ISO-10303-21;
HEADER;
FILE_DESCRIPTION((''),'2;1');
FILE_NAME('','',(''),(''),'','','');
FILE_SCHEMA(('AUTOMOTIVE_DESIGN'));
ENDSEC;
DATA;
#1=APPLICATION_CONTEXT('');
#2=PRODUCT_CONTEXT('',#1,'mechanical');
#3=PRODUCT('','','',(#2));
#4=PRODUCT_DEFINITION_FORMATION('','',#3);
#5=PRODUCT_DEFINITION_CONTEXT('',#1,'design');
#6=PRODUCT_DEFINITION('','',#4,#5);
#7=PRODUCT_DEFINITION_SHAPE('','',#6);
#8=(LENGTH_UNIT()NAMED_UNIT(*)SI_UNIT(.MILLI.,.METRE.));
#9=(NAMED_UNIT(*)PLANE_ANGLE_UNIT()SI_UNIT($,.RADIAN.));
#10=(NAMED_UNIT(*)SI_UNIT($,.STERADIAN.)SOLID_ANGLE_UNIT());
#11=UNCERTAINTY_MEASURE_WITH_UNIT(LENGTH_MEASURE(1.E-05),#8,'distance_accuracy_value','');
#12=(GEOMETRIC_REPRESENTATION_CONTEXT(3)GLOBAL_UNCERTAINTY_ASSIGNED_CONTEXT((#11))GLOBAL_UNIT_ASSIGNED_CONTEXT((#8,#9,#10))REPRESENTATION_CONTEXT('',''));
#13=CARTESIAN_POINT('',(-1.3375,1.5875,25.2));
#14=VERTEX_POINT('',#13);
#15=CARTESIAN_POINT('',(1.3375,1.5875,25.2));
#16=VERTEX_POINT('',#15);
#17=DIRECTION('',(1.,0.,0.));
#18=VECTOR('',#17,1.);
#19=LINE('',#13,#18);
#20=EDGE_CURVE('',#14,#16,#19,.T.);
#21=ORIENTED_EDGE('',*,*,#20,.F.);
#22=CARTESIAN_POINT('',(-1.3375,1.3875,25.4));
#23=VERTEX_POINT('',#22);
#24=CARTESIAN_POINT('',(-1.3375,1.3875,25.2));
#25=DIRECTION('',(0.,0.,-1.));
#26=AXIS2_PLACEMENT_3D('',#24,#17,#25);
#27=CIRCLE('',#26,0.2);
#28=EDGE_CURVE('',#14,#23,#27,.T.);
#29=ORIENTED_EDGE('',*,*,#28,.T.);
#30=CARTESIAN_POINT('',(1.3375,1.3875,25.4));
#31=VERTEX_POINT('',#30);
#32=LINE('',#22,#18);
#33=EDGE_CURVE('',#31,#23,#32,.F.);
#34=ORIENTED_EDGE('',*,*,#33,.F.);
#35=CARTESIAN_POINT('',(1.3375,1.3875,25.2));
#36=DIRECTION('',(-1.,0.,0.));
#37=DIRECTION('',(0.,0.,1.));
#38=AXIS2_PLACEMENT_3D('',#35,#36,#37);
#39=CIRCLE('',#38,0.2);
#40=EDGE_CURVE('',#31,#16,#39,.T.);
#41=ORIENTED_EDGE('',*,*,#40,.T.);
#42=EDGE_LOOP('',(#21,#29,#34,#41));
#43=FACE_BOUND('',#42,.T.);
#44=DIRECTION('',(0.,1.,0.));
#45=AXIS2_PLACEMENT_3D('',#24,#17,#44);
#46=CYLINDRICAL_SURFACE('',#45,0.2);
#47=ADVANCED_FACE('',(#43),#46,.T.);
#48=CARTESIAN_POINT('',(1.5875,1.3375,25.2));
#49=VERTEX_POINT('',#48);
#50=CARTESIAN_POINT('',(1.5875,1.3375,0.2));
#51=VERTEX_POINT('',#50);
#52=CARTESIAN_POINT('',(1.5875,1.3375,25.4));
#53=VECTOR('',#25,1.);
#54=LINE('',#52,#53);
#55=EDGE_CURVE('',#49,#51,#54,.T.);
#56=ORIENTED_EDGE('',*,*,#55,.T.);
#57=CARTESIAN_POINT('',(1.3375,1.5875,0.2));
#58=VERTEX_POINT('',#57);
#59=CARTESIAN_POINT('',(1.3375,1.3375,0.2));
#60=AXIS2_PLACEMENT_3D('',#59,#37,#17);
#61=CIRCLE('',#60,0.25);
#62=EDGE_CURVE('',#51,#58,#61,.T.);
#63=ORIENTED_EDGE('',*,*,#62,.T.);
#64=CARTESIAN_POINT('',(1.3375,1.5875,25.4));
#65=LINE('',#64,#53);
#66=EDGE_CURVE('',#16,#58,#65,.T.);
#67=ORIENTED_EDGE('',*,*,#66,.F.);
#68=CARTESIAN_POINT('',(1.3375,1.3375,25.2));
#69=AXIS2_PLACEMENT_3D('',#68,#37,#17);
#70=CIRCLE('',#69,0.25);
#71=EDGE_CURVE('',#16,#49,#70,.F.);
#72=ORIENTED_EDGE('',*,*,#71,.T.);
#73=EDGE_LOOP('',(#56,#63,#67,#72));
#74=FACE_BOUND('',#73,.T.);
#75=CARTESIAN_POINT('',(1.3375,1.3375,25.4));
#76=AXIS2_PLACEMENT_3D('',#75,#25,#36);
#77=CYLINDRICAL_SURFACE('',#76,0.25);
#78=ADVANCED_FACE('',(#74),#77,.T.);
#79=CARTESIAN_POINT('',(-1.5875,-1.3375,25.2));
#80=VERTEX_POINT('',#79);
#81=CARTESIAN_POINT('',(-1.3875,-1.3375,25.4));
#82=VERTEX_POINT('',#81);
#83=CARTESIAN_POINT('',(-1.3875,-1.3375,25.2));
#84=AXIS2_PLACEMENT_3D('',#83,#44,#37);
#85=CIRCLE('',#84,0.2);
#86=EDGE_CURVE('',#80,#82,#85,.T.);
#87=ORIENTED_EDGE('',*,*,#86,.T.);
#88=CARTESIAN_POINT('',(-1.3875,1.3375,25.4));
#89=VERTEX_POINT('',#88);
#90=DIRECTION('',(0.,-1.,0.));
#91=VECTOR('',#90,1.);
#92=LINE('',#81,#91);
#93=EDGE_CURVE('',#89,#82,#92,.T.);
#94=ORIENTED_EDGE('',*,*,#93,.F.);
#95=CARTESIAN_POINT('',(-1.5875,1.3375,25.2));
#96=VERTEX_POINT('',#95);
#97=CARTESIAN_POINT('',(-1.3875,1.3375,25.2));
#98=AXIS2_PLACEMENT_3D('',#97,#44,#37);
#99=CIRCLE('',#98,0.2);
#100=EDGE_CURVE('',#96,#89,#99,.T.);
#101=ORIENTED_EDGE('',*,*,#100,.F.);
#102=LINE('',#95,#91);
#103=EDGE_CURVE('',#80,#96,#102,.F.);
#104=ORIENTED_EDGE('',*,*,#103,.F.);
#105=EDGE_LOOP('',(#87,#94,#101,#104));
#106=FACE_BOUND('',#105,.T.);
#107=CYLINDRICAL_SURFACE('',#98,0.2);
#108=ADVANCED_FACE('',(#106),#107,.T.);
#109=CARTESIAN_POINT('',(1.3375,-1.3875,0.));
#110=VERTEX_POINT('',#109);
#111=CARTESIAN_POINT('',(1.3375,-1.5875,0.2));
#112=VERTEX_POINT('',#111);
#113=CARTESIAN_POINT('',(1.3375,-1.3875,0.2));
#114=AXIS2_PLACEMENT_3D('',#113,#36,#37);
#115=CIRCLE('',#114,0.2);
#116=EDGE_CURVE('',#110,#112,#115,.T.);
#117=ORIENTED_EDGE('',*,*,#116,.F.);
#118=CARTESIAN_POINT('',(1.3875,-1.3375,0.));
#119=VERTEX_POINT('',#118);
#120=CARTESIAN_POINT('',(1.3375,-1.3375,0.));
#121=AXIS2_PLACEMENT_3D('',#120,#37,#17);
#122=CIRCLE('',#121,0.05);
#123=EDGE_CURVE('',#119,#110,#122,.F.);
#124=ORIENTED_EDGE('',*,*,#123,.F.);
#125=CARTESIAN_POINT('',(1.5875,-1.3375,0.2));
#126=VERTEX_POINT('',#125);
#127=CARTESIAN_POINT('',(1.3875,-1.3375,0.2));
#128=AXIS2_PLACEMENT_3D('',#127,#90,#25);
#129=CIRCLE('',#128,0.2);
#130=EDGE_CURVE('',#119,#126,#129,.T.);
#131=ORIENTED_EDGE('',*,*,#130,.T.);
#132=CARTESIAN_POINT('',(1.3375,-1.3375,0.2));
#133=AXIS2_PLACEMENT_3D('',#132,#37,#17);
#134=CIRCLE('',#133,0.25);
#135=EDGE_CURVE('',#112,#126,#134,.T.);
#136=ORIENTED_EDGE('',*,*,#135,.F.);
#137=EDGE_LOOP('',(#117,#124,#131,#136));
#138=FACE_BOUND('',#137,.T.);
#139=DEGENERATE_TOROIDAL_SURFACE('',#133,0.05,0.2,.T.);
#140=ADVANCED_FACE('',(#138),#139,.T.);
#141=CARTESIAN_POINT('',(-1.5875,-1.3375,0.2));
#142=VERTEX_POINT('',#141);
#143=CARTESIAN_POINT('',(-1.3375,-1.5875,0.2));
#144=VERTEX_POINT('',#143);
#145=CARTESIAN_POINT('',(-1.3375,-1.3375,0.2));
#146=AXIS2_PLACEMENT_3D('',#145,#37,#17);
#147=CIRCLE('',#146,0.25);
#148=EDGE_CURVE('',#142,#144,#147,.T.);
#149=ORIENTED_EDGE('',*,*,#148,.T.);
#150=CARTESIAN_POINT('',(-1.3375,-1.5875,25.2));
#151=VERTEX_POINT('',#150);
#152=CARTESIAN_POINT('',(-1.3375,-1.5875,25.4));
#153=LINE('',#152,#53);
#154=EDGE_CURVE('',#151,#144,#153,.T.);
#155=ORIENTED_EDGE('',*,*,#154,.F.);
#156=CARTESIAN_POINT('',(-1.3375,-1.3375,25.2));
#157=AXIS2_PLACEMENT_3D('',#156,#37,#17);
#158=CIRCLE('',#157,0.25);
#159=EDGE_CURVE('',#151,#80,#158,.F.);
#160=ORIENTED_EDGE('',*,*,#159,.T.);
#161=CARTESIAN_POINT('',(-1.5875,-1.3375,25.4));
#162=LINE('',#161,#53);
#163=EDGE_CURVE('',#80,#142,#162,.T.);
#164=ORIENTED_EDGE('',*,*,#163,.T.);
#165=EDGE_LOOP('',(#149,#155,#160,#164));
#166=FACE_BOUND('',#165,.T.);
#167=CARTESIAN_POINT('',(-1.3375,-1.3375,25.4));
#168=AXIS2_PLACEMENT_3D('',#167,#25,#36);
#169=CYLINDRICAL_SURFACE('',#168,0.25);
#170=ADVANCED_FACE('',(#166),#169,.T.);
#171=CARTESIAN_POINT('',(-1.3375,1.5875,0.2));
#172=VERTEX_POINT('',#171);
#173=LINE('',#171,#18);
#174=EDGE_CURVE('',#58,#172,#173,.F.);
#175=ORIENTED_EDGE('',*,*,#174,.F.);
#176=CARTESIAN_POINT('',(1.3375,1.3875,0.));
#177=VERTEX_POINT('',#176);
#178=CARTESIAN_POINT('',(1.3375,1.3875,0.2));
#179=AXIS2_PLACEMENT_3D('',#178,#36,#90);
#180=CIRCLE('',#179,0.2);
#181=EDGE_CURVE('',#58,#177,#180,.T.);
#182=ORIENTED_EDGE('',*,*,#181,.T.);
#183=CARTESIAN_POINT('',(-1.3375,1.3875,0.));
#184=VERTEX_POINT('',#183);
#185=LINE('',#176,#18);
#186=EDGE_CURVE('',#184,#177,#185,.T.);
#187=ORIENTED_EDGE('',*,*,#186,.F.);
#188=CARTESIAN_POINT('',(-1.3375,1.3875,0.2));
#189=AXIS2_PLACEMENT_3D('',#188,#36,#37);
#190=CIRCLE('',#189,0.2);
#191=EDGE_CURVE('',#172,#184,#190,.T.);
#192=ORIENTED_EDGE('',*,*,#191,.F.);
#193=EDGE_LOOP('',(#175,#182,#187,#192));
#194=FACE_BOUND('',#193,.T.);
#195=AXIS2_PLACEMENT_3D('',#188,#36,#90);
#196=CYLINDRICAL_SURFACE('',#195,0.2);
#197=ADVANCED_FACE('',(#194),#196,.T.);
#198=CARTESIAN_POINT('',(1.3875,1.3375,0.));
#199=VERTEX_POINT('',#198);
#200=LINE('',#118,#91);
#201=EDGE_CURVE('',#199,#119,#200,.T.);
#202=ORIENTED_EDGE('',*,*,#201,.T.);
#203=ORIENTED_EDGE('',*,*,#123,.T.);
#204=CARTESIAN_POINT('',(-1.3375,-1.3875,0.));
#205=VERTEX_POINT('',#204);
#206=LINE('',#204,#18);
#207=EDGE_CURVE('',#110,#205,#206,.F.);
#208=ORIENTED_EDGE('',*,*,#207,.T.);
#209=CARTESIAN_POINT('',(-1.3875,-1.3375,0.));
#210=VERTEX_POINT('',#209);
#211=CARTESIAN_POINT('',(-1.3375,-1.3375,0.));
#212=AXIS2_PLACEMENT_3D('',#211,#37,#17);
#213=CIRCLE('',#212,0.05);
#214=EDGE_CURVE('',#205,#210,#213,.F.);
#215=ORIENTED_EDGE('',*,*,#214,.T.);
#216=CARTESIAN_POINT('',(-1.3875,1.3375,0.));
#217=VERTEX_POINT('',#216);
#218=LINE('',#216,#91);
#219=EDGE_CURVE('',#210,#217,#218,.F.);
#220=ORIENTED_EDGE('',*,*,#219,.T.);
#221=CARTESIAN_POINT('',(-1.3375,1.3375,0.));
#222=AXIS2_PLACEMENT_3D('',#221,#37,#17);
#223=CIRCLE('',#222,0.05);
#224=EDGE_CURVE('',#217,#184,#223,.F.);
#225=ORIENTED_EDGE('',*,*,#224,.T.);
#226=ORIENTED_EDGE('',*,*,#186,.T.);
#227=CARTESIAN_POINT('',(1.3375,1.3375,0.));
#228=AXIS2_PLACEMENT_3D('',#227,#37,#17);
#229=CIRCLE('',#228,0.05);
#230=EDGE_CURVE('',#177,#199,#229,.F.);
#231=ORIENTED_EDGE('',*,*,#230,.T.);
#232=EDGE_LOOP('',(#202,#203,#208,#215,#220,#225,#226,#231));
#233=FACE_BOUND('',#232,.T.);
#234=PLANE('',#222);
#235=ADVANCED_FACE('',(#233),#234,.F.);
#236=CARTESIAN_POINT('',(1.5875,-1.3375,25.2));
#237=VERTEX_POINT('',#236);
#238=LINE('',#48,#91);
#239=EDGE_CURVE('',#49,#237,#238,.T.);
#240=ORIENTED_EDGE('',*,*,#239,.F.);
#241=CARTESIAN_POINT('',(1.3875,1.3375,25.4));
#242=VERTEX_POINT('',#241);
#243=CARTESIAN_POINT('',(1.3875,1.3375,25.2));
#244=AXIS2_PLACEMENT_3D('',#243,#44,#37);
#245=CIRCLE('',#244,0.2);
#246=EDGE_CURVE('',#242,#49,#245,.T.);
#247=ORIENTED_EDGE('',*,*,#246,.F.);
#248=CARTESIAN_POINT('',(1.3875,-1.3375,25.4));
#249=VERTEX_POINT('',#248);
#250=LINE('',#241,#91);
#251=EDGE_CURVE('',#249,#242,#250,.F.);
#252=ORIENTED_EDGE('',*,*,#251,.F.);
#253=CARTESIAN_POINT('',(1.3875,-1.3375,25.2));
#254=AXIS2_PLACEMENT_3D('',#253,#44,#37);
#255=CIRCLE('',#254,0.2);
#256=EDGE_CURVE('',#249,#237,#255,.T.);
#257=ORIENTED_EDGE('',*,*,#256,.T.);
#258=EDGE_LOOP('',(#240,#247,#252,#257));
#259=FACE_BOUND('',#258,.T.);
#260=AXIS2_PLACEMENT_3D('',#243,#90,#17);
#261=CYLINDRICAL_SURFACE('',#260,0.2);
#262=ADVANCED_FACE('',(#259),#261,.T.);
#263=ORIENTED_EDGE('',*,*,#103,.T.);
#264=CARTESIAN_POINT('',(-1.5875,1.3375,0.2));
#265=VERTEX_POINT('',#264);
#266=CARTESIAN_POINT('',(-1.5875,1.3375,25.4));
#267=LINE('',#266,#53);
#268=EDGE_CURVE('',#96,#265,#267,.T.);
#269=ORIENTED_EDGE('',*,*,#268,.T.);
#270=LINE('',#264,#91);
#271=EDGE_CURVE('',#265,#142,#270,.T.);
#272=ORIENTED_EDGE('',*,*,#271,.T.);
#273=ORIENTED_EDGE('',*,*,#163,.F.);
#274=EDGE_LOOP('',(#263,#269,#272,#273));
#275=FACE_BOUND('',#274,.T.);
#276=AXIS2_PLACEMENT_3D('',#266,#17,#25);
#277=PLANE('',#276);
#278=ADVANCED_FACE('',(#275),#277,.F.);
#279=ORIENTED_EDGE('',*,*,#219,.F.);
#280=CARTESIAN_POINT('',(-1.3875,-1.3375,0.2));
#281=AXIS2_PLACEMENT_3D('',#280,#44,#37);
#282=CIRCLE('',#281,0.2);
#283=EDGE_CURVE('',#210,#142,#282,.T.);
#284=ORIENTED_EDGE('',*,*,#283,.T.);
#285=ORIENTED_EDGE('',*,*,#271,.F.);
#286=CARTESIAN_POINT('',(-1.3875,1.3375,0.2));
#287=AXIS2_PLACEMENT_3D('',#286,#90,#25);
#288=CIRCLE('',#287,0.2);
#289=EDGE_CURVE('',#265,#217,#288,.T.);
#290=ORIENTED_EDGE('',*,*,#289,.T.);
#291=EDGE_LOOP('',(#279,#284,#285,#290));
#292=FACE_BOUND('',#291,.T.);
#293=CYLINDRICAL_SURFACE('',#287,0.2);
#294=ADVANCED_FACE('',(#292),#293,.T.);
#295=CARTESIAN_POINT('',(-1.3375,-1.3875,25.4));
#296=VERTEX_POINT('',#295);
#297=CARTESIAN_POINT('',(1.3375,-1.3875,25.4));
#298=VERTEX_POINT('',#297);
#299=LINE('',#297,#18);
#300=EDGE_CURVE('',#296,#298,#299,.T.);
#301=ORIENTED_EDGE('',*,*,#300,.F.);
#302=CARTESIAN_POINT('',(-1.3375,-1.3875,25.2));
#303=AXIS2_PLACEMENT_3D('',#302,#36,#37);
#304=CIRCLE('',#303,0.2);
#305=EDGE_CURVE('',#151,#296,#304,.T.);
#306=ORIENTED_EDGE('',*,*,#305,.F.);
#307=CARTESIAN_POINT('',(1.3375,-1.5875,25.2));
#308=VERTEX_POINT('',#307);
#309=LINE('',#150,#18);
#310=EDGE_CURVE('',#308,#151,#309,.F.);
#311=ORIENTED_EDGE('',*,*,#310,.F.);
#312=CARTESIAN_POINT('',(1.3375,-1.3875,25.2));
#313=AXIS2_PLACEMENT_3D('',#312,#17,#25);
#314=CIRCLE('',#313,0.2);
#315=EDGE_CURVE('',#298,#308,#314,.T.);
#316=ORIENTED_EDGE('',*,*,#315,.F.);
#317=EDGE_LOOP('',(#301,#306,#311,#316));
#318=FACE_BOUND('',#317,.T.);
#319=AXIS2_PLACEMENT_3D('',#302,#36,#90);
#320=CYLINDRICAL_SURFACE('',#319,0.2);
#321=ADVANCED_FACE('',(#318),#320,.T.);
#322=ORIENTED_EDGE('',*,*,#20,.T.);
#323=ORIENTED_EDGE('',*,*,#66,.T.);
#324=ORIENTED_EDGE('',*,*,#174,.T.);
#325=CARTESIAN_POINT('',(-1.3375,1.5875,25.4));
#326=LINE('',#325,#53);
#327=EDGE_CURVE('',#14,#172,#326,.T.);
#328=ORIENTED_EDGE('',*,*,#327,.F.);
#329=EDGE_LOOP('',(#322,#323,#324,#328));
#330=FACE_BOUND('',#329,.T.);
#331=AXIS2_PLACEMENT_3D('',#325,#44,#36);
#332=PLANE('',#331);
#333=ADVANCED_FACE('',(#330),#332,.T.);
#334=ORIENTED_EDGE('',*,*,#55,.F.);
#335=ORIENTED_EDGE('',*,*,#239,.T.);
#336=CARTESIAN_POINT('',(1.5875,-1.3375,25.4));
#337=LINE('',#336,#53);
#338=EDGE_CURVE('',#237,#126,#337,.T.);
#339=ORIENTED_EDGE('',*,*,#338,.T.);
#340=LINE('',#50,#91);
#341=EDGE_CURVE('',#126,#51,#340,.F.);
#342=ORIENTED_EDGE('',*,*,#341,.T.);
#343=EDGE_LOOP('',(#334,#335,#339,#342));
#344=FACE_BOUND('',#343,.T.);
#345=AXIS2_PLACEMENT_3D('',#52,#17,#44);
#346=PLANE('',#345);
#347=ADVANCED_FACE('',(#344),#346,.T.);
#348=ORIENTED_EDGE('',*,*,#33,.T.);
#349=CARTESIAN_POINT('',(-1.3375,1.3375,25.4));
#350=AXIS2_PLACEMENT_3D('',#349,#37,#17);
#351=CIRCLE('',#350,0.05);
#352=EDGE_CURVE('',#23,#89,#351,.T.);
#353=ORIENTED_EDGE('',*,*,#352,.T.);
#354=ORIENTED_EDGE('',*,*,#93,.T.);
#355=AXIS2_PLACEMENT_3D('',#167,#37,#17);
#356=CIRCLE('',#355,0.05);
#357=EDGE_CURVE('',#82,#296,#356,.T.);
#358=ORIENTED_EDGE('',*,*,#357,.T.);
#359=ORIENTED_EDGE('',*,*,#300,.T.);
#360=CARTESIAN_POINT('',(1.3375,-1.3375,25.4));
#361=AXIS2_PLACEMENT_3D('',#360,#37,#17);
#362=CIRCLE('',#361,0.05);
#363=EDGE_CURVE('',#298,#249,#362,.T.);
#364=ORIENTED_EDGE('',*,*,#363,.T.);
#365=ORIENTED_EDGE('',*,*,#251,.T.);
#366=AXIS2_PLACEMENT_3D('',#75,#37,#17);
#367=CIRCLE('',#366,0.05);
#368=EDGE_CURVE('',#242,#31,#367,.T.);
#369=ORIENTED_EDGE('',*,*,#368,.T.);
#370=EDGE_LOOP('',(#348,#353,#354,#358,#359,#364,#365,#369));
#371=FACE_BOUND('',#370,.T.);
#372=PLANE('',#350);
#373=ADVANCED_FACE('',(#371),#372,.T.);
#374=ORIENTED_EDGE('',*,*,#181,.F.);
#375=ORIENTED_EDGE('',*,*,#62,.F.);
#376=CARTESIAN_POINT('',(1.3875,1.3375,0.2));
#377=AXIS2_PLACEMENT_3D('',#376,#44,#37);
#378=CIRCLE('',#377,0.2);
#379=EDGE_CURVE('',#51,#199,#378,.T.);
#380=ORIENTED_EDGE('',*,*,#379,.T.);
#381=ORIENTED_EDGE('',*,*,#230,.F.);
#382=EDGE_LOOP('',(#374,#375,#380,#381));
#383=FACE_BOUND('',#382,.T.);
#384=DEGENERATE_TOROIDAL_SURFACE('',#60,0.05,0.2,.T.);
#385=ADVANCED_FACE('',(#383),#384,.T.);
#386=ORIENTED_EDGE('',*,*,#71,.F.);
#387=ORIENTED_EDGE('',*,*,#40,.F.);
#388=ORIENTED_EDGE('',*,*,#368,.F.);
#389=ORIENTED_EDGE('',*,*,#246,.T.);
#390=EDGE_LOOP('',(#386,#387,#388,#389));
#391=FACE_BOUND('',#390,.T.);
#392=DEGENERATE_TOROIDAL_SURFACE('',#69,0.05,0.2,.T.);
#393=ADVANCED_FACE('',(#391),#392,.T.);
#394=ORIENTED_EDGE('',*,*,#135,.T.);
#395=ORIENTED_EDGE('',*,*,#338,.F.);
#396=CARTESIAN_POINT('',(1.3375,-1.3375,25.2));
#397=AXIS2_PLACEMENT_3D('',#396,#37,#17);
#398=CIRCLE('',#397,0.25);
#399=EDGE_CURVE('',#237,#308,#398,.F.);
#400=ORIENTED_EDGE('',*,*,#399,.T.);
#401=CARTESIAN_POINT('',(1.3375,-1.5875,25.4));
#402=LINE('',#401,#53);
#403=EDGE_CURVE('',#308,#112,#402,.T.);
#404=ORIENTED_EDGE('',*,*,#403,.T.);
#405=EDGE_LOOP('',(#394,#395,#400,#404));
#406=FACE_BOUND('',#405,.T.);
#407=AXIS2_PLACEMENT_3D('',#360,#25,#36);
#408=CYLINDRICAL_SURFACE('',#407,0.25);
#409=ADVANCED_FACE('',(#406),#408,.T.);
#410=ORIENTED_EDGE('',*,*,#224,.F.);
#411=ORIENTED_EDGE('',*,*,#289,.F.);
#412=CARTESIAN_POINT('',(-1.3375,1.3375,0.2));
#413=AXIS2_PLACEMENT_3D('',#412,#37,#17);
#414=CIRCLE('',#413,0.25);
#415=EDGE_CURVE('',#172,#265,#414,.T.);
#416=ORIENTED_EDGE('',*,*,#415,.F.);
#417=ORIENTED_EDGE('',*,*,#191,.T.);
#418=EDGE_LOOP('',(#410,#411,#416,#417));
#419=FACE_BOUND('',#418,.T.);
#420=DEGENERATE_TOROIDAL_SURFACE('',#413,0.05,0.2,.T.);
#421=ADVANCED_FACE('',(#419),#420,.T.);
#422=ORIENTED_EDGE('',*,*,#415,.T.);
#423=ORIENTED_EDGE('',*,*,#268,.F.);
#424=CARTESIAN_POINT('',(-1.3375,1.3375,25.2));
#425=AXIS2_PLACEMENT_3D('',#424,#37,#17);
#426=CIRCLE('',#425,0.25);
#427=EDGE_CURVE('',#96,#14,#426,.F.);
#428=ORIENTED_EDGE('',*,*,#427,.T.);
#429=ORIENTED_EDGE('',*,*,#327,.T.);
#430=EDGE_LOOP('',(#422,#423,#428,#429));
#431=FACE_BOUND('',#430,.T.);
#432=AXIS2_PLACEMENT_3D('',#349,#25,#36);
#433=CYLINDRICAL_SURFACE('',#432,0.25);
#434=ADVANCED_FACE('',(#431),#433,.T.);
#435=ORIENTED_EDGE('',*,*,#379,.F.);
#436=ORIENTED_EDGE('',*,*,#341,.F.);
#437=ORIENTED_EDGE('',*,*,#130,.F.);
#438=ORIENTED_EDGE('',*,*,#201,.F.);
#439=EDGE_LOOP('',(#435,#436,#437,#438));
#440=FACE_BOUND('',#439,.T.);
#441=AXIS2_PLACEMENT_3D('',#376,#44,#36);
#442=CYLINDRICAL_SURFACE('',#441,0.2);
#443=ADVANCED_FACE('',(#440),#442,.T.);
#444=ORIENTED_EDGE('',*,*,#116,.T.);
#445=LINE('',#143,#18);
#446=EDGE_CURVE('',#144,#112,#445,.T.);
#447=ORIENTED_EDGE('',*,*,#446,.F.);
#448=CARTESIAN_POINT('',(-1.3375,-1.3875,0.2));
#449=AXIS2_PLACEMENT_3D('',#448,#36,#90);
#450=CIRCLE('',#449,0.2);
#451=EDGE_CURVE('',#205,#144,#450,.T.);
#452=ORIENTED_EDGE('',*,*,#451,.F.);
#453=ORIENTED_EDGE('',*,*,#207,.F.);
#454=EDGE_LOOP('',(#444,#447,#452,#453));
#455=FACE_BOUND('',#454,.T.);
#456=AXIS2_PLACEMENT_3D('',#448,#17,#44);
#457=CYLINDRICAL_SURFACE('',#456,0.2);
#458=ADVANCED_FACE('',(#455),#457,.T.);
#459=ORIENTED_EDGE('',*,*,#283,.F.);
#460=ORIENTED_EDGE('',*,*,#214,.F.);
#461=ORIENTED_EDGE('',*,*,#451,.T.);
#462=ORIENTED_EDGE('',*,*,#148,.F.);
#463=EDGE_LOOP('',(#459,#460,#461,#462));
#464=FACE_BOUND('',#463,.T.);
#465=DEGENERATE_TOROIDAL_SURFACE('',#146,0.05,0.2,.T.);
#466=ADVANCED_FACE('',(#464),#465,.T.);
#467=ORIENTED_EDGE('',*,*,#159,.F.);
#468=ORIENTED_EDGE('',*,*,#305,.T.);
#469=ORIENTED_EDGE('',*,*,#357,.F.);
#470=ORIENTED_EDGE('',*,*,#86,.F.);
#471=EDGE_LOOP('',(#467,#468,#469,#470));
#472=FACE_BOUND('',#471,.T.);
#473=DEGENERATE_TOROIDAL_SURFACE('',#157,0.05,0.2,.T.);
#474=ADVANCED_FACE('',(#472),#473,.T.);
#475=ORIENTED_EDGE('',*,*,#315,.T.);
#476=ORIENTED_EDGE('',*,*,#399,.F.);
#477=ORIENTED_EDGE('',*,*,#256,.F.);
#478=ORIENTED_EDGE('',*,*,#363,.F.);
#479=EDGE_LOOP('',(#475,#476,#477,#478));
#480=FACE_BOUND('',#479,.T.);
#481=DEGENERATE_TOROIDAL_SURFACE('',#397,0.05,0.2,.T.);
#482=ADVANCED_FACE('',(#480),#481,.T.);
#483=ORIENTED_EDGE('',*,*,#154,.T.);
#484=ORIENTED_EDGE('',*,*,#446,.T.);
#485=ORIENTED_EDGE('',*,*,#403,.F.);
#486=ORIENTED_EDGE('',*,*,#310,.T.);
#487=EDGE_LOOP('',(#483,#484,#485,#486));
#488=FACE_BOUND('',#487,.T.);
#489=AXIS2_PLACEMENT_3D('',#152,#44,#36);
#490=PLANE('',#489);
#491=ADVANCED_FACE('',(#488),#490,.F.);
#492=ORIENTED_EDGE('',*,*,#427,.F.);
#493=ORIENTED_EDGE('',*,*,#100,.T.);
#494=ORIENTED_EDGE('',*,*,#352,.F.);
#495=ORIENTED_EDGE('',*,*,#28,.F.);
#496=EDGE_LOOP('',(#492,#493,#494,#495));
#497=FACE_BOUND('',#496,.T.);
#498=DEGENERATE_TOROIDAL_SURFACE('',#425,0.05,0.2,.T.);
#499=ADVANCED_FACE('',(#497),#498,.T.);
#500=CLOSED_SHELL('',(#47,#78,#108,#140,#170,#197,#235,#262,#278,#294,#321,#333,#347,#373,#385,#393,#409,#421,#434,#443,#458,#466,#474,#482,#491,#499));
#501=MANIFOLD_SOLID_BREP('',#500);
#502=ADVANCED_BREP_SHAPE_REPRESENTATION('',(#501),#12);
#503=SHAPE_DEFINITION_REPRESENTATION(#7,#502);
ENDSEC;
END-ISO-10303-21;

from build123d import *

# Parameters (mm, degrees)
BOSS_EXTRUDE1_DEPTH = 25.4
FILLET1_R           = 0.2


with BuildPart() as part:
    # Sketch1 → Boss-Extrude1 (new body)
    with BuildSketch(Plane.XY):
        with BuildLine():
            Line((-1.3375, 1.5875), (1.3375, 1.5875))
            ThreePointArc((1.3375, 1.5875), (1.514276695, 1.514276695), (1.5875, 1.3375))
            Line((1.5875, 1.3375), (1.5875, -1.3375))
            ThreePointArc((1.5875, -1.3375), (1.514276695, -1.514276695), (1.3375, -1.5875))
            Line((1.3375, -1.5875), (-1.3375, -1.5875))
            ThreePointArc((-1.3375, -1.5875), (-1.514276695, -1.514276695), (-1.5875, -1.3375))
            Line((-1.5875, -1.3375), (-1.5875, 1.3375))
            ThreePointArc((-1.5875, 1.3375), (-1.514276695, 1.514276695), (-1.3375, 1.5875))
        make_face()
    extrude(amount=BOSS_EXTRUDE1_DEPTH)

    # Fillet1
    fillet1_edges = [part.edges().sort_by_distance(p)[0] for p in [
        (-1.514276695, -1.514276695, 25.4),
        (-1.5875, 0, 0),
        (-1.514276695, 1.514276695, 0),
        (0, -1.5875, 25.4),
        (1.514276695, -1.514276695, 25.4),
        (1.5875, 0, 25.4),
        (1.514276695, 1.514276695, 25.4),
        (0, 1.5875, 25.4),
        (-1.514276695, 1.514276695, 25.4),
        (-1.5875, 0, 25.4),
        (0, 1.5875, 0),
        (1.514276695, 1.514276695, 0),
        (1.5875, 0, 0),
        (1.514276695, -1.514276695, 0),
        (0, -1.5875, 0),
        (-1.514276695, -1.514276695, 0),
    ]]
    fillet(fillet1_edges, radius=FILLET1_R)


solid = part.part
